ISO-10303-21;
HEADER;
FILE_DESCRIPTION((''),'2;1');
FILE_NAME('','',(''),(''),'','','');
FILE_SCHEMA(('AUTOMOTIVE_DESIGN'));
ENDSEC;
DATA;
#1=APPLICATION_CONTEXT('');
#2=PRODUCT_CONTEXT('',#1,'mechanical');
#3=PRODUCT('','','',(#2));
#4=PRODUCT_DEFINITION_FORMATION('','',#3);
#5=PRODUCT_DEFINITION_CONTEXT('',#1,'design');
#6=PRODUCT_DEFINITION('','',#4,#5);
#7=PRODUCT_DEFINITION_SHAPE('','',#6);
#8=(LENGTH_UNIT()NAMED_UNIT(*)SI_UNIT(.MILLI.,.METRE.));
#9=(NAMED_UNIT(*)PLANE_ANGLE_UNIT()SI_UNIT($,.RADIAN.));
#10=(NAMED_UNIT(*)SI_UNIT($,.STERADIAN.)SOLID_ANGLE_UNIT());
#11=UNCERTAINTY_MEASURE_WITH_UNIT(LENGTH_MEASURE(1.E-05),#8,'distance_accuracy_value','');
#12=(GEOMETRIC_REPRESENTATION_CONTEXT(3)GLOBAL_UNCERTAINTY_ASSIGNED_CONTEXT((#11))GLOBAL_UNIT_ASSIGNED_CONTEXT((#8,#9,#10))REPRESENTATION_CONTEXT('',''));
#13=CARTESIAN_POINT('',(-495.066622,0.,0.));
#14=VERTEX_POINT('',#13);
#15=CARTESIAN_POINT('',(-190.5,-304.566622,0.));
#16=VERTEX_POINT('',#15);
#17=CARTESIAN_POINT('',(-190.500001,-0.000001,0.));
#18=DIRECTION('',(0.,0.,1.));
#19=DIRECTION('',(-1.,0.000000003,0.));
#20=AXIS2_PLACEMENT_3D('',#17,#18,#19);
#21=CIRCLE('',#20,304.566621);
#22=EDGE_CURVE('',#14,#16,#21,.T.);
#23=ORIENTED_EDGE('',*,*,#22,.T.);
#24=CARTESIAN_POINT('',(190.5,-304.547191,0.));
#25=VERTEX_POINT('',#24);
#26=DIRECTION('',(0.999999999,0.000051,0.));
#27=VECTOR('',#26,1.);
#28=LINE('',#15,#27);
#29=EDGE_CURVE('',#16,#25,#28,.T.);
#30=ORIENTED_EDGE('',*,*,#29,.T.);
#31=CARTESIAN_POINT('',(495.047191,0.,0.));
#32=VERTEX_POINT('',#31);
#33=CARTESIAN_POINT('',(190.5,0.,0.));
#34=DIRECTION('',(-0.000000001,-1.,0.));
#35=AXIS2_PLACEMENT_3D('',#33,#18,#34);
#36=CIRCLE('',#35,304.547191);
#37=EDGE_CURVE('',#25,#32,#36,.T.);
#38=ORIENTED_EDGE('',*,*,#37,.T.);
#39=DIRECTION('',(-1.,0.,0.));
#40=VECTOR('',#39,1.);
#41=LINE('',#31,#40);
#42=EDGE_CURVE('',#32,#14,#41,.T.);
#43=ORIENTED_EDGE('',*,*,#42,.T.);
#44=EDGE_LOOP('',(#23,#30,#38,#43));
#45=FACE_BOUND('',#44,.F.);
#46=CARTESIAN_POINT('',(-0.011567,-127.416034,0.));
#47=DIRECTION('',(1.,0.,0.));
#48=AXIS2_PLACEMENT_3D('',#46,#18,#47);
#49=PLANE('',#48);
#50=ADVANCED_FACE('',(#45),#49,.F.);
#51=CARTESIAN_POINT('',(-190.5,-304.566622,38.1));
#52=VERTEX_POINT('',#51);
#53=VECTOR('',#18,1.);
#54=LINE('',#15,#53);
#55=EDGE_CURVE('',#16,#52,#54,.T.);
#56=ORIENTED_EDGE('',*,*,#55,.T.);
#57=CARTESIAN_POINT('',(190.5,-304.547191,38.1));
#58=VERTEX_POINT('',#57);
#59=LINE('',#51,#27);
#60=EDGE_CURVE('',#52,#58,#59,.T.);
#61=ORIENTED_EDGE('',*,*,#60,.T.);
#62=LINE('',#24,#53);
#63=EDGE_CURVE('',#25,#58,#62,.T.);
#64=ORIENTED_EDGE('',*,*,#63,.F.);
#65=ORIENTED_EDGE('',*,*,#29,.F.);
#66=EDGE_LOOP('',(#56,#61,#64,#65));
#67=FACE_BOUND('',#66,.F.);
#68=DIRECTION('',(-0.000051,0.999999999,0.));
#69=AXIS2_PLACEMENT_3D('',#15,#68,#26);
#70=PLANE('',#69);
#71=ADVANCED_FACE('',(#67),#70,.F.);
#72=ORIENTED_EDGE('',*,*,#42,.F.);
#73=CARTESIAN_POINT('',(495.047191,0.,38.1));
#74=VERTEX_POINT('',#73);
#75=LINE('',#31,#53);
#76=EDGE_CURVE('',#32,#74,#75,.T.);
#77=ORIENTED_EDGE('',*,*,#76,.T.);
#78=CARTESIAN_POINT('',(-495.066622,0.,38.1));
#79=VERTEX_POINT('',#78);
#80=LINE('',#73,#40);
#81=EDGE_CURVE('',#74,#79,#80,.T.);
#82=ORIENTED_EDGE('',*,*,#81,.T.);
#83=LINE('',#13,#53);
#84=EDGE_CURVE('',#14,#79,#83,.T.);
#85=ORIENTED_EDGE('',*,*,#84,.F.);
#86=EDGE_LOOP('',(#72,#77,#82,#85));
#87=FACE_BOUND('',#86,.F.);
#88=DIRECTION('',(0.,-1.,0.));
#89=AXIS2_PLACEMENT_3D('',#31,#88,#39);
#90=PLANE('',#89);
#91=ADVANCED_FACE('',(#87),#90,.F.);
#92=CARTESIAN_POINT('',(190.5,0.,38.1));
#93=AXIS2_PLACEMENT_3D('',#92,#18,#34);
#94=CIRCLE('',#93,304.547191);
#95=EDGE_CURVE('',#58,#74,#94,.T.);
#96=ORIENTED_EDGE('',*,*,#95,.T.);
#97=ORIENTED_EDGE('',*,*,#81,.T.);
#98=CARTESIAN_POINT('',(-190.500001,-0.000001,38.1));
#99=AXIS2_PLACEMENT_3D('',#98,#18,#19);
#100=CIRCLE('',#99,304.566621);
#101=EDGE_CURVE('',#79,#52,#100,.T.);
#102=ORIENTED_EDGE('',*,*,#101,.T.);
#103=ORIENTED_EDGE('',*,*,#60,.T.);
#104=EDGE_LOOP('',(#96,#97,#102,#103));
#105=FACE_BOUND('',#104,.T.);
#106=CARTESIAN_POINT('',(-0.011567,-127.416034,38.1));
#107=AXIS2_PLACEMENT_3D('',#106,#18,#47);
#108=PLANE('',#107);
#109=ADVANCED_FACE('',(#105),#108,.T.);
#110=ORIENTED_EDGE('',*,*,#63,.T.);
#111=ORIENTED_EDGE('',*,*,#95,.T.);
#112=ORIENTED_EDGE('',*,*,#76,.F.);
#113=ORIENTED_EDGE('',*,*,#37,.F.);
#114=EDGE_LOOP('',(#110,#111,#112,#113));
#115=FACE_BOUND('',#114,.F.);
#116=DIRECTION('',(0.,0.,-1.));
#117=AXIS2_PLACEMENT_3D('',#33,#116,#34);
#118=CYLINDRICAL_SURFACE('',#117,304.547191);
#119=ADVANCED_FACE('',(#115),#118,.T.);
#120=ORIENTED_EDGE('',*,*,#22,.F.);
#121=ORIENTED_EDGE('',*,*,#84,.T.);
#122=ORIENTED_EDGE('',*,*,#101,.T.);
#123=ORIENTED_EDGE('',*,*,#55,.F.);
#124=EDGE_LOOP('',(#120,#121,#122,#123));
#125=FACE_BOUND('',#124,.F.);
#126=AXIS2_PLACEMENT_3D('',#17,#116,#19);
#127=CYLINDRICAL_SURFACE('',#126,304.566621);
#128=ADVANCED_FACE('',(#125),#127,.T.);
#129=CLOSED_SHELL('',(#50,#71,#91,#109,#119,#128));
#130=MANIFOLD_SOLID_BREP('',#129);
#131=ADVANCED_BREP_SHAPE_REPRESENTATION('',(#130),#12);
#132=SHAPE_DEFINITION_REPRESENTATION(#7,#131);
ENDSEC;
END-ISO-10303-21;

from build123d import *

# Parameters (mm, degrees)
F1_DEPTH = 38.1


with BuildPart() as f1:
    # F0 (on Top) → F1 (new body)
    with BuildSketch(Plane.XY):
        with BuildLine():
            Line((190.5, 0), (0, 0))
            Line((0, 0), (-190.5, 0))
            Line((-190.5, 0), (-495.066622, 0))
            ThreePointArc((-495.066622, 0), (-405.861124, -215.361124), (-190.5, -304.566622))
            Line((-190.5, -304.566622), (190.5, -304.547191))
            ThreePointArc((190.5, -304.547191), (405.847384, -215.347384), (495.047191, 0))
            Line((495.047191, 0), (190.5, 0))
        make_face()
    extrude(amount=F1_DEPTH)


solid = f1.part
